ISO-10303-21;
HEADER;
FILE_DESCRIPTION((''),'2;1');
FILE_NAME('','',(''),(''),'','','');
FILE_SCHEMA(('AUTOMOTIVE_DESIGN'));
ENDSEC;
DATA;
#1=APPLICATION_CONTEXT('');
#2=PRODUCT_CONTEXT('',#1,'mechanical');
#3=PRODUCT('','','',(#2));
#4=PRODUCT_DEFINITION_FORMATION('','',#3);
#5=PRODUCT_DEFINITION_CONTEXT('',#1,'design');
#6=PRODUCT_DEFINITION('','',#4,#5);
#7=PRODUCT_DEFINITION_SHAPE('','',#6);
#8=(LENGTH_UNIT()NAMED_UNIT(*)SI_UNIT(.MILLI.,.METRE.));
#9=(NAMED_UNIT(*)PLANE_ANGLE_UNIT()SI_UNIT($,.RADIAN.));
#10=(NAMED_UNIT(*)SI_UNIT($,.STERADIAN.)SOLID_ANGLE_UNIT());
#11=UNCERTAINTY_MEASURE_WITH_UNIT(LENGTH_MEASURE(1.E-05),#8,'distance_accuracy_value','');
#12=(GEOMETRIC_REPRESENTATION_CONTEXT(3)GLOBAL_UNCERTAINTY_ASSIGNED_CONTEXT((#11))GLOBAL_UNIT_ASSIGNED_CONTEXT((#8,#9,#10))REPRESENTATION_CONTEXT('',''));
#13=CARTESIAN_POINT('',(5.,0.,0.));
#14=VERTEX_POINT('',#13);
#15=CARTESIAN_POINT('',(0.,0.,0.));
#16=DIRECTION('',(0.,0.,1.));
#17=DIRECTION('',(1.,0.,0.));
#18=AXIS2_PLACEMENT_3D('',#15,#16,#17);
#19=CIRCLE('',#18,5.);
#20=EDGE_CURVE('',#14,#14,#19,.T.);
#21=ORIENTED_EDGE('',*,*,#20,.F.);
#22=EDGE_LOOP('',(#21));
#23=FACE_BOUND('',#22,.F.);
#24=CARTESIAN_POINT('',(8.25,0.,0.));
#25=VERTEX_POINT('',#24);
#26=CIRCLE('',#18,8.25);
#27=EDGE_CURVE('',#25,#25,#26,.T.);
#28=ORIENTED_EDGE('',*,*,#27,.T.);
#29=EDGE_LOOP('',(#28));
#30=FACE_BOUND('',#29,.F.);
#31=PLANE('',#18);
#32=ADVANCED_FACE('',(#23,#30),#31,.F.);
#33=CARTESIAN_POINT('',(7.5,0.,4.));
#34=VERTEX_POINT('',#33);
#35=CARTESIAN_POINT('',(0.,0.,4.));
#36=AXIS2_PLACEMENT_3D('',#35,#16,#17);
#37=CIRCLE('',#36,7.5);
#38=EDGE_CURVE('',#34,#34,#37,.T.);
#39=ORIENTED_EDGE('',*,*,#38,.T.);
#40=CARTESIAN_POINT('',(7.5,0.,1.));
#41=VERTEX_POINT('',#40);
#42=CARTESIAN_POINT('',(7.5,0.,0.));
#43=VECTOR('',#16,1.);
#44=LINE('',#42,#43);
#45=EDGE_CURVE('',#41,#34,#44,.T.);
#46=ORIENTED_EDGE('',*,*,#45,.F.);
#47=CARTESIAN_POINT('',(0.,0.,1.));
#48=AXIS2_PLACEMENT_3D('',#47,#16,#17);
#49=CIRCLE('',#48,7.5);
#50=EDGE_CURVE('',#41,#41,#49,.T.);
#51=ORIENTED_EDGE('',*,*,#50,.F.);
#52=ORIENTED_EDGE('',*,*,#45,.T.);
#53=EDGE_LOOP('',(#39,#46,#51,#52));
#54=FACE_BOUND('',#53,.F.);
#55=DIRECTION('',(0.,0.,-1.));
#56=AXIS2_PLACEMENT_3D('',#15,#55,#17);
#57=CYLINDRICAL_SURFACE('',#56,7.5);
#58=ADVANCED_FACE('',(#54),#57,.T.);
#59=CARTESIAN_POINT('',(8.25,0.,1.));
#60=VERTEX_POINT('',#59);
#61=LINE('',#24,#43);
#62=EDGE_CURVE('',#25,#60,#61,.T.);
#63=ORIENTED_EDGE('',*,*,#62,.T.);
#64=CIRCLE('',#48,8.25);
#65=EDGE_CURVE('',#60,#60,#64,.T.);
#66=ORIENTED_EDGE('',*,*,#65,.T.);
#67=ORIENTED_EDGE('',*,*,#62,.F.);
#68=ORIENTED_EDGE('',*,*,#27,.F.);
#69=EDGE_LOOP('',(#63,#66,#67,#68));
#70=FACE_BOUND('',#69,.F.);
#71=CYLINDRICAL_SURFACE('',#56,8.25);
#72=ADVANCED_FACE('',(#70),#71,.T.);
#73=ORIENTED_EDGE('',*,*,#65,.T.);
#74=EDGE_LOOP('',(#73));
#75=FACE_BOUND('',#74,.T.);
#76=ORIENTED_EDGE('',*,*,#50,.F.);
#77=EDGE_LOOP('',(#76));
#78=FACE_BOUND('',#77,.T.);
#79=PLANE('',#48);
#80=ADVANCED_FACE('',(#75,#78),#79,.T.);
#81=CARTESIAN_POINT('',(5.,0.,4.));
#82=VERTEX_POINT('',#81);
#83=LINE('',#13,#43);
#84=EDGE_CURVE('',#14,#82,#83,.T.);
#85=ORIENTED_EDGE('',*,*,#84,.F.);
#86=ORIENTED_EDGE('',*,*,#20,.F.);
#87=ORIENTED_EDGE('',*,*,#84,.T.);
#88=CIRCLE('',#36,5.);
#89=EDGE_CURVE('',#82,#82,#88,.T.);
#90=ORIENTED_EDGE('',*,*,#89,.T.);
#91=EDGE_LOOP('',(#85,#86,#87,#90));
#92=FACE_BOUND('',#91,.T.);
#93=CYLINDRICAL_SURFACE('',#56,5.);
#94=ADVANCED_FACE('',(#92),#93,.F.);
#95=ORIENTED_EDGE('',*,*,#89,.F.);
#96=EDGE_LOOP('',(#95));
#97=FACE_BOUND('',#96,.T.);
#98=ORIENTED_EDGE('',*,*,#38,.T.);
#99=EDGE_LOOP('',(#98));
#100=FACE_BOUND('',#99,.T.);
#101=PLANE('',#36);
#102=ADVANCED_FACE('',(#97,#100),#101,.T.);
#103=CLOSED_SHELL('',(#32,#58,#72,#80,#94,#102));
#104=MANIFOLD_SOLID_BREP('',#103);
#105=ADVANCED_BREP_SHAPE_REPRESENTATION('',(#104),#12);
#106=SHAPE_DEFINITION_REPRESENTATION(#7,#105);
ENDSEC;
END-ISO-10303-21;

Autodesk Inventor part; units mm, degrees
ref_plane "YZ Plane" through (0, 0, 0) normal (1, 0, 0) x (0, 1, 0)
ref_plane "XZ Plane" through (0, 0, 0) normal (0, 1, 0) x (-1, 0, 0)
ref_plane "XY Plane" through (0, 0, 0) normal (0, 0, 1) x (1, 0, 0)
sketch "スケッチ1" plane through (0, 0, 0) normal (0, 0, 1) x (1, 0, 0)
  circle A0 centre (0, 0) radius 5
  circle A1 centre (0, 0) radius 7.5
  circle A2 centre (0, 0) radius 8.25
  dimension "d0" = 10
  dimension "d1" = 15
  dimension "d2" = 16.5
extrude "押し出し1" add sketch "スケッチ1" along normal blind 1 contours A2
extrude "押し出し2" add sketch "スケッチ1" along normal blind 4 contours A1
properties part number "bear_10_15_sn_CPY" material "アルミニウム 6061-AHC"
